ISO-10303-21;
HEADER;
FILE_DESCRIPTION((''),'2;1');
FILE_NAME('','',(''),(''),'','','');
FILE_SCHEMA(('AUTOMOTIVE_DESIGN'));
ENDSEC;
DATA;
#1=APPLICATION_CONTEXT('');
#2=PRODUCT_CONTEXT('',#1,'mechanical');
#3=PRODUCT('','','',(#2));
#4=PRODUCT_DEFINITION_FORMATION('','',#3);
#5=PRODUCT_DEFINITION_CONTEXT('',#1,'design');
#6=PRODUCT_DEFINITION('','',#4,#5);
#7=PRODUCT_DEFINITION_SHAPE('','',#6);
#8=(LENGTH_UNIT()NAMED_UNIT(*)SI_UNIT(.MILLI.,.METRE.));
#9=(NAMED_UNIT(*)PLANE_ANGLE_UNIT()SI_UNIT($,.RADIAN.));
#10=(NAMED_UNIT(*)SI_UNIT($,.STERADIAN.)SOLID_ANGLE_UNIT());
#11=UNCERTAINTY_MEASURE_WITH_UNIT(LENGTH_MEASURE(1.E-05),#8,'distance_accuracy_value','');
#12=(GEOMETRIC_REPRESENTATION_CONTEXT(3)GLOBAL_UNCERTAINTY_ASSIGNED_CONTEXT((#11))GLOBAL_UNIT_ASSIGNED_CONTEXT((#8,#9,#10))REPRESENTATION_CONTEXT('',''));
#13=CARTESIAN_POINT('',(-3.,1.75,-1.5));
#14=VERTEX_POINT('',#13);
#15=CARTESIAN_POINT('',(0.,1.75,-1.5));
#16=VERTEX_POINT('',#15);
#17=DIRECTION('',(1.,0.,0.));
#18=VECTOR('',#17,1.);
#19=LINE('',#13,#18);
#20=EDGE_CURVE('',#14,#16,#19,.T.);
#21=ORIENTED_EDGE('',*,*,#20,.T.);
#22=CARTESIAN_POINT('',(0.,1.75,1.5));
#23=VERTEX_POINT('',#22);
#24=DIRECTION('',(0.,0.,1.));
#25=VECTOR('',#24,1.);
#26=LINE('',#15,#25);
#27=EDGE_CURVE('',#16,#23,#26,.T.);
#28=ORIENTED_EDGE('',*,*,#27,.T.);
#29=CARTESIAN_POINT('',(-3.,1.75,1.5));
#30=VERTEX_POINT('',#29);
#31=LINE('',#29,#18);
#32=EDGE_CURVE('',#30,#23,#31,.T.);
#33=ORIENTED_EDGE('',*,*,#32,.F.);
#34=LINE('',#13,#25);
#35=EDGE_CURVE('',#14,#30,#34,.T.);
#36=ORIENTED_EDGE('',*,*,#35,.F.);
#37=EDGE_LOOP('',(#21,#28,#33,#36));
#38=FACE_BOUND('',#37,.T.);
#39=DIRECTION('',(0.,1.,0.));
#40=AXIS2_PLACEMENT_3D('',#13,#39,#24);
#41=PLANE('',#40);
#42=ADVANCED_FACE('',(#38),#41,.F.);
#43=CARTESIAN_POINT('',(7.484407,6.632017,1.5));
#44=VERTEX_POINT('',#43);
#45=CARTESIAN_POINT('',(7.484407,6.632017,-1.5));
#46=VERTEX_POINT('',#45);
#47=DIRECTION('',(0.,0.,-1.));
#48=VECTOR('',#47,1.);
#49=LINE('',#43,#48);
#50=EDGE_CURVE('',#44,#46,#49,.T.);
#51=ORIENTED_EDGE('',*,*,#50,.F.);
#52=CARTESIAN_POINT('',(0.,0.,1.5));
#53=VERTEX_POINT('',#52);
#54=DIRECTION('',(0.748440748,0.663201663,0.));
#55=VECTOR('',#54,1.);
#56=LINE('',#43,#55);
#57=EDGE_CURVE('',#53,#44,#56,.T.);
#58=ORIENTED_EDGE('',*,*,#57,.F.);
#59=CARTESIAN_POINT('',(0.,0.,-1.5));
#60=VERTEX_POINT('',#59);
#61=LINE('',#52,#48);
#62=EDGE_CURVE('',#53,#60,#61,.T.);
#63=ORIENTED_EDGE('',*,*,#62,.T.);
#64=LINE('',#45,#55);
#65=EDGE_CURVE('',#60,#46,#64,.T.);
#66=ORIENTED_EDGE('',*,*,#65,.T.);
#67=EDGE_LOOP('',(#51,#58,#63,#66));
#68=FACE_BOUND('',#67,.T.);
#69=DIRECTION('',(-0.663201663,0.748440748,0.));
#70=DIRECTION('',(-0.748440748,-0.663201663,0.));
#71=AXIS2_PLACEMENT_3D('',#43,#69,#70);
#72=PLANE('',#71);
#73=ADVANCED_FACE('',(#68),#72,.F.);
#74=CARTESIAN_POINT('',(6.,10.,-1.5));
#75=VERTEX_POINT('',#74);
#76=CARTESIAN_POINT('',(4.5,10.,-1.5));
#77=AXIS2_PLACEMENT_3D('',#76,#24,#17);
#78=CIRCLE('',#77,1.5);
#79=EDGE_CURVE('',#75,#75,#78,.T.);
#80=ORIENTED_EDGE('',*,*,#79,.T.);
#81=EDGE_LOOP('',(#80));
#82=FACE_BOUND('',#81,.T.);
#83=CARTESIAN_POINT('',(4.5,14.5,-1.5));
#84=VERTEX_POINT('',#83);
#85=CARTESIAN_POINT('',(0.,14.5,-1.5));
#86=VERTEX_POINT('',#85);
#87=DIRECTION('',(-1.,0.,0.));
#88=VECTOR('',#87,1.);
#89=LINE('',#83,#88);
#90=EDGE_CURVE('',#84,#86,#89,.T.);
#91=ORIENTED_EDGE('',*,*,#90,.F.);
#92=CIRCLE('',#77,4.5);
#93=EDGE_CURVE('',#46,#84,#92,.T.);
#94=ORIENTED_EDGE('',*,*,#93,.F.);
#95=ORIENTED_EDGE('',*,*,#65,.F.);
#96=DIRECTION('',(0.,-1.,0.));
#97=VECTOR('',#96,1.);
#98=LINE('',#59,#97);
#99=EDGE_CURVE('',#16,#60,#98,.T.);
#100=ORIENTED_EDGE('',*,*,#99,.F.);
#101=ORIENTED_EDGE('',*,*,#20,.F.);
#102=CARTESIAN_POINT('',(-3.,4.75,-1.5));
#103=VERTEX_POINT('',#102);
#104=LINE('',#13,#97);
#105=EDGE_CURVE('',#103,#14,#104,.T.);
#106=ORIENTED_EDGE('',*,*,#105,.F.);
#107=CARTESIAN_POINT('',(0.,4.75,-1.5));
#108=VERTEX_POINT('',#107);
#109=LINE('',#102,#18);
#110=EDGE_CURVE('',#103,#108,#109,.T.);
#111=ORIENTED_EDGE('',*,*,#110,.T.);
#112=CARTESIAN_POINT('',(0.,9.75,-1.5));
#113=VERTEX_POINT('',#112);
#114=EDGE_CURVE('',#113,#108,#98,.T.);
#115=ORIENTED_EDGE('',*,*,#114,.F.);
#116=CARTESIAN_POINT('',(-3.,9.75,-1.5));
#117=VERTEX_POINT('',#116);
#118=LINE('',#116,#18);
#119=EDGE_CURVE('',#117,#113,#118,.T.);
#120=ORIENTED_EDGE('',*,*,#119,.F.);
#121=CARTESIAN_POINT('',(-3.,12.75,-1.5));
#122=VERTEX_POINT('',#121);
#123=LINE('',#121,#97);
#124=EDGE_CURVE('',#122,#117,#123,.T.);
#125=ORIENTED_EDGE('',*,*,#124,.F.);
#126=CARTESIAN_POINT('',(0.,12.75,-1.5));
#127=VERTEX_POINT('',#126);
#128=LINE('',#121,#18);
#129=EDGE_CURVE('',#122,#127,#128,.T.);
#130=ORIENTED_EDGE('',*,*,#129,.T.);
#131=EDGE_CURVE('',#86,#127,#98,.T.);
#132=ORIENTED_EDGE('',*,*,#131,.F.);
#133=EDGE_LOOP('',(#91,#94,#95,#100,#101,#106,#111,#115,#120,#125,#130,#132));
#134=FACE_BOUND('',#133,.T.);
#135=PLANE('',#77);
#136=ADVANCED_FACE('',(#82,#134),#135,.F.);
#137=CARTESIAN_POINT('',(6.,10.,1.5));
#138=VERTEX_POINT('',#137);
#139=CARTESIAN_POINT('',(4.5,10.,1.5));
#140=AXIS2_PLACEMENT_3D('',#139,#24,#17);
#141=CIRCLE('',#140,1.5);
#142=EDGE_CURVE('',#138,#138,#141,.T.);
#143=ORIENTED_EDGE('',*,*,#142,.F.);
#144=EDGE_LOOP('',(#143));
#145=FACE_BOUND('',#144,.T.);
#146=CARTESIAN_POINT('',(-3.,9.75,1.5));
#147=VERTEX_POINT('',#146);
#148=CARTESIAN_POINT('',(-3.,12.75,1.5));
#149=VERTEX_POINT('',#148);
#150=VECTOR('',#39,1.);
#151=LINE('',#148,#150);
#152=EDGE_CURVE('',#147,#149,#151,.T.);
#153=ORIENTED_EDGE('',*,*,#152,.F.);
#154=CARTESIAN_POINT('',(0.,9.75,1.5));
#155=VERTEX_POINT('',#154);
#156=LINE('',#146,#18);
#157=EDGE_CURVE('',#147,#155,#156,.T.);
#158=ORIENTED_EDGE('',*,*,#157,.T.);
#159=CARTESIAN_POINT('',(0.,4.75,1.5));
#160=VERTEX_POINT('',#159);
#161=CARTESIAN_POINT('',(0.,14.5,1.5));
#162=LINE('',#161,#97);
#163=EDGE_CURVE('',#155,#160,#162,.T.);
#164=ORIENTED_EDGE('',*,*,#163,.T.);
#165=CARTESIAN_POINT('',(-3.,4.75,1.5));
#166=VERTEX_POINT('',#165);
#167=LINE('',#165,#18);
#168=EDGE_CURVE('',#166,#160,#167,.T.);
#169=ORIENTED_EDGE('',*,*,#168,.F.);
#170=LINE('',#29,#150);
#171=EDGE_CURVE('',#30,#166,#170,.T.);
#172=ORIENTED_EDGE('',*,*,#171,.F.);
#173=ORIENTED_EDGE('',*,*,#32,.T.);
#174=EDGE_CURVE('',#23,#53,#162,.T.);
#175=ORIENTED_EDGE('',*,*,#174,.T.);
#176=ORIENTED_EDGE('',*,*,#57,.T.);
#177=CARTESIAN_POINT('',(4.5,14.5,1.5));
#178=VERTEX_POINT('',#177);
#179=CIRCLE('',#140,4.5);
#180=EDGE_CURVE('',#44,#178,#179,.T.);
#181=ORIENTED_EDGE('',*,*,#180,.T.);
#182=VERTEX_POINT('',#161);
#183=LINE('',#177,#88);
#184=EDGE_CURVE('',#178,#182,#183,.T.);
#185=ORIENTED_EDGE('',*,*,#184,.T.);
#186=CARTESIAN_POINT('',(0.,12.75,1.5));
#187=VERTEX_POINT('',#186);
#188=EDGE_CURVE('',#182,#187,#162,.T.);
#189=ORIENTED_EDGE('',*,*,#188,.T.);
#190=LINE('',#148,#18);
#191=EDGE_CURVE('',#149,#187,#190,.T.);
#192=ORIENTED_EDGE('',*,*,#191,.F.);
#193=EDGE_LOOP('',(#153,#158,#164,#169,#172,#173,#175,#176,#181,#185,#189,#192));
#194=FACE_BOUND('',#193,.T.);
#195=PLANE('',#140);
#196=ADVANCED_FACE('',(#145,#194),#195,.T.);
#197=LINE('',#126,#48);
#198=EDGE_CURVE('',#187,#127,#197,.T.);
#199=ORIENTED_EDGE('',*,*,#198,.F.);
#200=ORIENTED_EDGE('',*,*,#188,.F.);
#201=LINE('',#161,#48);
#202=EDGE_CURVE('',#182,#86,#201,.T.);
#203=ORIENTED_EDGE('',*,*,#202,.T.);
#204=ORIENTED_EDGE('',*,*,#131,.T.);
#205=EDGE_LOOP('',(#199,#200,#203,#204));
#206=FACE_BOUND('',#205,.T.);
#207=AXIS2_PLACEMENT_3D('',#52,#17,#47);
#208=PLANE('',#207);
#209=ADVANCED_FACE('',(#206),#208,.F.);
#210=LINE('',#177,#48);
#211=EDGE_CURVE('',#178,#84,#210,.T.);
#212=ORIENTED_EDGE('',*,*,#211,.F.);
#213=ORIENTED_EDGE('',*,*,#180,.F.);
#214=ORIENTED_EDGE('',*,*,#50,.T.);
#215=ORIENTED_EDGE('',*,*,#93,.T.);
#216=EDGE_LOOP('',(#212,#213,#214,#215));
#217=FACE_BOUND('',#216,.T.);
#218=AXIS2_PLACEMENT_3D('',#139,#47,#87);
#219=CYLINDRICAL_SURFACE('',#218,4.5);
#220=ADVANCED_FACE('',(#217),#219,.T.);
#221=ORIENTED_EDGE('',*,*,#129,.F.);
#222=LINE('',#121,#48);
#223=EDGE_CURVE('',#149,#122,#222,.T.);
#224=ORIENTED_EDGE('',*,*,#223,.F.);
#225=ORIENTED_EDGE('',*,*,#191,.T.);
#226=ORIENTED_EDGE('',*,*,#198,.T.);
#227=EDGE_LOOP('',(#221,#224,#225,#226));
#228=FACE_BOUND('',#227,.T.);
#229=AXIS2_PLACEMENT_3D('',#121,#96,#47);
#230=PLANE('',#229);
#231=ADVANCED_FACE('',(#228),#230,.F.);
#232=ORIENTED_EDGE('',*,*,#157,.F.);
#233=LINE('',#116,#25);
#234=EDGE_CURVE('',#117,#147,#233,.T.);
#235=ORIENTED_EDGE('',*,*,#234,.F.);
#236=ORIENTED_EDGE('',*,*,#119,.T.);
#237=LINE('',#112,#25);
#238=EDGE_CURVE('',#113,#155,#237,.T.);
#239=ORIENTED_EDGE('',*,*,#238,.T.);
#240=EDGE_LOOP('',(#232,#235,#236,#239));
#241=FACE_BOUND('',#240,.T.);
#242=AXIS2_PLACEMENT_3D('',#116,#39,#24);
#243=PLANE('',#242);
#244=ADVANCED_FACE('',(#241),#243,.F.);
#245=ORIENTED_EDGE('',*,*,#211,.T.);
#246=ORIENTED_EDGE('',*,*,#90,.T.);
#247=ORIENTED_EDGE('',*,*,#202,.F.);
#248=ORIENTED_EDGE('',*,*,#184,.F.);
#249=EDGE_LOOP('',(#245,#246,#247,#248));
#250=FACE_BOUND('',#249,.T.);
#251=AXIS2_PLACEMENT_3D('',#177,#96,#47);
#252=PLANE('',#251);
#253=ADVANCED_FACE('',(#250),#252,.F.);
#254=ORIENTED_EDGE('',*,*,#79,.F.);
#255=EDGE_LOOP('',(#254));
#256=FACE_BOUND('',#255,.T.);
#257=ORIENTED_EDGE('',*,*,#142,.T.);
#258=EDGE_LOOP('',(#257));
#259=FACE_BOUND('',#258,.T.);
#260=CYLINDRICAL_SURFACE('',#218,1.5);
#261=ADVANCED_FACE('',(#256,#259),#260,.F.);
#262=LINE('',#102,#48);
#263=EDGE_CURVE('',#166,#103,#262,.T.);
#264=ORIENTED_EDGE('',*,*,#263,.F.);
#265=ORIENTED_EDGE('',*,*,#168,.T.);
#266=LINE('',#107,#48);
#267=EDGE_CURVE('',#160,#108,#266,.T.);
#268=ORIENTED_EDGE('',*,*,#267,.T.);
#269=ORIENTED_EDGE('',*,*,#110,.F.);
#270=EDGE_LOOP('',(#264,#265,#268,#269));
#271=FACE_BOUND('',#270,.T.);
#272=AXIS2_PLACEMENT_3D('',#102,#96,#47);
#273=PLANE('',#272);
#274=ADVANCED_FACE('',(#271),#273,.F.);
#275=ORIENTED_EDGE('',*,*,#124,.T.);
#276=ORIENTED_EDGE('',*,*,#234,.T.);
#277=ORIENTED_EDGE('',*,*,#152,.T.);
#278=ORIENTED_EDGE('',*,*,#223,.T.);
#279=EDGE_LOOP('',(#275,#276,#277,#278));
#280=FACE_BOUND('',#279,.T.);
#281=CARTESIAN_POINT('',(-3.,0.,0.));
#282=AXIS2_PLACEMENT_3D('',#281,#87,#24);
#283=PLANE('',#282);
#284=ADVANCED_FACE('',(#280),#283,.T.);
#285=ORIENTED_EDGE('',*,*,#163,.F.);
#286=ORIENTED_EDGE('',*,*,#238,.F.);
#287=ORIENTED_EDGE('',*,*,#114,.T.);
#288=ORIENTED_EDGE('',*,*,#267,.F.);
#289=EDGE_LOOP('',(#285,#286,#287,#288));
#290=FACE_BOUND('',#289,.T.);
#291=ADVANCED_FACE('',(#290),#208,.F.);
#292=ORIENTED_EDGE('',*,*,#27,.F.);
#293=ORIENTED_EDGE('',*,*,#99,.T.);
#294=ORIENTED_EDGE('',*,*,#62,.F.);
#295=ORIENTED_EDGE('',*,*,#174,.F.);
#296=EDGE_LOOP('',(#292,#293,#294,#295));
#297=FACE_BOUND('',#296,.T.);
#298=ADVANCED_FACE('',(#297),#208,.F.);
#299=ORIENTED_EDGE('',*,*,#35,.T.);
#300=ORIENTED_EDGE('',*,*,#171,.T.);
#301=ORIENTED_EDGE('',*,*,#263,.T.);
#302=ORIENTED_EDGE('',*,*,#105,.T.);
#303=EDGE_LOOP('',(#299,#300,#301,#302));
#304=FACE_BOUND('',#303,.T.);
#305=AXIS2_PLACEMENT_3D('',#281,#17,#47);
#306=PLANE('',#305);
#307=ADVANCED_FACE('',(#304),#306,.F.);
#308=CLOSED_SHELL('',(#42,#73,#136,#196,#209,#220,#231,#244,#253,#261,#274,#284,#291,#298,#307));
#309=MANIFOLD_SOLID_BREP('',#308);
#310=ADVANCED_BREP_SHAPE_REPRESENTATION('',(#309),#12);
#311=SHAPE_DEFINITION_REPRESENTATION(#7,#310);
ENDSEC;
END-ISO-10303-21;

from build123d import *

# Parameters (mm, degrees)
SKETCH1_R           = 1.5
BOSS_EXTRUDE1_DEPTH = 1.5
SKETCH2_W           = 3
SKETCH2_H           = 3
BOSS_EXTRUDE2_DEPTH = 3


with BuildPart() as part:
    # Sketch1 → Boss-Extrude1 (new body, symmetric)
    with BuildSketch(Plane.XY):
        with BuildLine():
            Line((0, 0), (0, 10))
            Line((0, 10), (0, 14.5))
            Line((0, 14.5), (4.5, 14.5))
            ThreePointArc((4.5, 14.5), (8.707488868, 11.595944054), (7.484407484, 6.632016632))
            Line((7.484407484, 6.632016632), (0, 0))
        make_face()
        with Locations((4.5, 10)):
            Circle(SKETCH1_R, mode=Mode.SUBTRACT)
    extrude(amount=BOSS_EXTRUDE1_DEPTH, both=True)

    # Sketch2 → Boss-Extrude2 (add)
    with BuildSketch(Plane.ZY):
        with Locations((0, 11.25)):
            Rectangle(SKETCH2_W, SKETCH2_H)
        with Locations((0, 3.25)):
            Rectangle(SKETCH2_W, SKETCH2_H)
    extrude(amount=BOSS_EXTRUDE2_DEPTH)


solid = part.part
